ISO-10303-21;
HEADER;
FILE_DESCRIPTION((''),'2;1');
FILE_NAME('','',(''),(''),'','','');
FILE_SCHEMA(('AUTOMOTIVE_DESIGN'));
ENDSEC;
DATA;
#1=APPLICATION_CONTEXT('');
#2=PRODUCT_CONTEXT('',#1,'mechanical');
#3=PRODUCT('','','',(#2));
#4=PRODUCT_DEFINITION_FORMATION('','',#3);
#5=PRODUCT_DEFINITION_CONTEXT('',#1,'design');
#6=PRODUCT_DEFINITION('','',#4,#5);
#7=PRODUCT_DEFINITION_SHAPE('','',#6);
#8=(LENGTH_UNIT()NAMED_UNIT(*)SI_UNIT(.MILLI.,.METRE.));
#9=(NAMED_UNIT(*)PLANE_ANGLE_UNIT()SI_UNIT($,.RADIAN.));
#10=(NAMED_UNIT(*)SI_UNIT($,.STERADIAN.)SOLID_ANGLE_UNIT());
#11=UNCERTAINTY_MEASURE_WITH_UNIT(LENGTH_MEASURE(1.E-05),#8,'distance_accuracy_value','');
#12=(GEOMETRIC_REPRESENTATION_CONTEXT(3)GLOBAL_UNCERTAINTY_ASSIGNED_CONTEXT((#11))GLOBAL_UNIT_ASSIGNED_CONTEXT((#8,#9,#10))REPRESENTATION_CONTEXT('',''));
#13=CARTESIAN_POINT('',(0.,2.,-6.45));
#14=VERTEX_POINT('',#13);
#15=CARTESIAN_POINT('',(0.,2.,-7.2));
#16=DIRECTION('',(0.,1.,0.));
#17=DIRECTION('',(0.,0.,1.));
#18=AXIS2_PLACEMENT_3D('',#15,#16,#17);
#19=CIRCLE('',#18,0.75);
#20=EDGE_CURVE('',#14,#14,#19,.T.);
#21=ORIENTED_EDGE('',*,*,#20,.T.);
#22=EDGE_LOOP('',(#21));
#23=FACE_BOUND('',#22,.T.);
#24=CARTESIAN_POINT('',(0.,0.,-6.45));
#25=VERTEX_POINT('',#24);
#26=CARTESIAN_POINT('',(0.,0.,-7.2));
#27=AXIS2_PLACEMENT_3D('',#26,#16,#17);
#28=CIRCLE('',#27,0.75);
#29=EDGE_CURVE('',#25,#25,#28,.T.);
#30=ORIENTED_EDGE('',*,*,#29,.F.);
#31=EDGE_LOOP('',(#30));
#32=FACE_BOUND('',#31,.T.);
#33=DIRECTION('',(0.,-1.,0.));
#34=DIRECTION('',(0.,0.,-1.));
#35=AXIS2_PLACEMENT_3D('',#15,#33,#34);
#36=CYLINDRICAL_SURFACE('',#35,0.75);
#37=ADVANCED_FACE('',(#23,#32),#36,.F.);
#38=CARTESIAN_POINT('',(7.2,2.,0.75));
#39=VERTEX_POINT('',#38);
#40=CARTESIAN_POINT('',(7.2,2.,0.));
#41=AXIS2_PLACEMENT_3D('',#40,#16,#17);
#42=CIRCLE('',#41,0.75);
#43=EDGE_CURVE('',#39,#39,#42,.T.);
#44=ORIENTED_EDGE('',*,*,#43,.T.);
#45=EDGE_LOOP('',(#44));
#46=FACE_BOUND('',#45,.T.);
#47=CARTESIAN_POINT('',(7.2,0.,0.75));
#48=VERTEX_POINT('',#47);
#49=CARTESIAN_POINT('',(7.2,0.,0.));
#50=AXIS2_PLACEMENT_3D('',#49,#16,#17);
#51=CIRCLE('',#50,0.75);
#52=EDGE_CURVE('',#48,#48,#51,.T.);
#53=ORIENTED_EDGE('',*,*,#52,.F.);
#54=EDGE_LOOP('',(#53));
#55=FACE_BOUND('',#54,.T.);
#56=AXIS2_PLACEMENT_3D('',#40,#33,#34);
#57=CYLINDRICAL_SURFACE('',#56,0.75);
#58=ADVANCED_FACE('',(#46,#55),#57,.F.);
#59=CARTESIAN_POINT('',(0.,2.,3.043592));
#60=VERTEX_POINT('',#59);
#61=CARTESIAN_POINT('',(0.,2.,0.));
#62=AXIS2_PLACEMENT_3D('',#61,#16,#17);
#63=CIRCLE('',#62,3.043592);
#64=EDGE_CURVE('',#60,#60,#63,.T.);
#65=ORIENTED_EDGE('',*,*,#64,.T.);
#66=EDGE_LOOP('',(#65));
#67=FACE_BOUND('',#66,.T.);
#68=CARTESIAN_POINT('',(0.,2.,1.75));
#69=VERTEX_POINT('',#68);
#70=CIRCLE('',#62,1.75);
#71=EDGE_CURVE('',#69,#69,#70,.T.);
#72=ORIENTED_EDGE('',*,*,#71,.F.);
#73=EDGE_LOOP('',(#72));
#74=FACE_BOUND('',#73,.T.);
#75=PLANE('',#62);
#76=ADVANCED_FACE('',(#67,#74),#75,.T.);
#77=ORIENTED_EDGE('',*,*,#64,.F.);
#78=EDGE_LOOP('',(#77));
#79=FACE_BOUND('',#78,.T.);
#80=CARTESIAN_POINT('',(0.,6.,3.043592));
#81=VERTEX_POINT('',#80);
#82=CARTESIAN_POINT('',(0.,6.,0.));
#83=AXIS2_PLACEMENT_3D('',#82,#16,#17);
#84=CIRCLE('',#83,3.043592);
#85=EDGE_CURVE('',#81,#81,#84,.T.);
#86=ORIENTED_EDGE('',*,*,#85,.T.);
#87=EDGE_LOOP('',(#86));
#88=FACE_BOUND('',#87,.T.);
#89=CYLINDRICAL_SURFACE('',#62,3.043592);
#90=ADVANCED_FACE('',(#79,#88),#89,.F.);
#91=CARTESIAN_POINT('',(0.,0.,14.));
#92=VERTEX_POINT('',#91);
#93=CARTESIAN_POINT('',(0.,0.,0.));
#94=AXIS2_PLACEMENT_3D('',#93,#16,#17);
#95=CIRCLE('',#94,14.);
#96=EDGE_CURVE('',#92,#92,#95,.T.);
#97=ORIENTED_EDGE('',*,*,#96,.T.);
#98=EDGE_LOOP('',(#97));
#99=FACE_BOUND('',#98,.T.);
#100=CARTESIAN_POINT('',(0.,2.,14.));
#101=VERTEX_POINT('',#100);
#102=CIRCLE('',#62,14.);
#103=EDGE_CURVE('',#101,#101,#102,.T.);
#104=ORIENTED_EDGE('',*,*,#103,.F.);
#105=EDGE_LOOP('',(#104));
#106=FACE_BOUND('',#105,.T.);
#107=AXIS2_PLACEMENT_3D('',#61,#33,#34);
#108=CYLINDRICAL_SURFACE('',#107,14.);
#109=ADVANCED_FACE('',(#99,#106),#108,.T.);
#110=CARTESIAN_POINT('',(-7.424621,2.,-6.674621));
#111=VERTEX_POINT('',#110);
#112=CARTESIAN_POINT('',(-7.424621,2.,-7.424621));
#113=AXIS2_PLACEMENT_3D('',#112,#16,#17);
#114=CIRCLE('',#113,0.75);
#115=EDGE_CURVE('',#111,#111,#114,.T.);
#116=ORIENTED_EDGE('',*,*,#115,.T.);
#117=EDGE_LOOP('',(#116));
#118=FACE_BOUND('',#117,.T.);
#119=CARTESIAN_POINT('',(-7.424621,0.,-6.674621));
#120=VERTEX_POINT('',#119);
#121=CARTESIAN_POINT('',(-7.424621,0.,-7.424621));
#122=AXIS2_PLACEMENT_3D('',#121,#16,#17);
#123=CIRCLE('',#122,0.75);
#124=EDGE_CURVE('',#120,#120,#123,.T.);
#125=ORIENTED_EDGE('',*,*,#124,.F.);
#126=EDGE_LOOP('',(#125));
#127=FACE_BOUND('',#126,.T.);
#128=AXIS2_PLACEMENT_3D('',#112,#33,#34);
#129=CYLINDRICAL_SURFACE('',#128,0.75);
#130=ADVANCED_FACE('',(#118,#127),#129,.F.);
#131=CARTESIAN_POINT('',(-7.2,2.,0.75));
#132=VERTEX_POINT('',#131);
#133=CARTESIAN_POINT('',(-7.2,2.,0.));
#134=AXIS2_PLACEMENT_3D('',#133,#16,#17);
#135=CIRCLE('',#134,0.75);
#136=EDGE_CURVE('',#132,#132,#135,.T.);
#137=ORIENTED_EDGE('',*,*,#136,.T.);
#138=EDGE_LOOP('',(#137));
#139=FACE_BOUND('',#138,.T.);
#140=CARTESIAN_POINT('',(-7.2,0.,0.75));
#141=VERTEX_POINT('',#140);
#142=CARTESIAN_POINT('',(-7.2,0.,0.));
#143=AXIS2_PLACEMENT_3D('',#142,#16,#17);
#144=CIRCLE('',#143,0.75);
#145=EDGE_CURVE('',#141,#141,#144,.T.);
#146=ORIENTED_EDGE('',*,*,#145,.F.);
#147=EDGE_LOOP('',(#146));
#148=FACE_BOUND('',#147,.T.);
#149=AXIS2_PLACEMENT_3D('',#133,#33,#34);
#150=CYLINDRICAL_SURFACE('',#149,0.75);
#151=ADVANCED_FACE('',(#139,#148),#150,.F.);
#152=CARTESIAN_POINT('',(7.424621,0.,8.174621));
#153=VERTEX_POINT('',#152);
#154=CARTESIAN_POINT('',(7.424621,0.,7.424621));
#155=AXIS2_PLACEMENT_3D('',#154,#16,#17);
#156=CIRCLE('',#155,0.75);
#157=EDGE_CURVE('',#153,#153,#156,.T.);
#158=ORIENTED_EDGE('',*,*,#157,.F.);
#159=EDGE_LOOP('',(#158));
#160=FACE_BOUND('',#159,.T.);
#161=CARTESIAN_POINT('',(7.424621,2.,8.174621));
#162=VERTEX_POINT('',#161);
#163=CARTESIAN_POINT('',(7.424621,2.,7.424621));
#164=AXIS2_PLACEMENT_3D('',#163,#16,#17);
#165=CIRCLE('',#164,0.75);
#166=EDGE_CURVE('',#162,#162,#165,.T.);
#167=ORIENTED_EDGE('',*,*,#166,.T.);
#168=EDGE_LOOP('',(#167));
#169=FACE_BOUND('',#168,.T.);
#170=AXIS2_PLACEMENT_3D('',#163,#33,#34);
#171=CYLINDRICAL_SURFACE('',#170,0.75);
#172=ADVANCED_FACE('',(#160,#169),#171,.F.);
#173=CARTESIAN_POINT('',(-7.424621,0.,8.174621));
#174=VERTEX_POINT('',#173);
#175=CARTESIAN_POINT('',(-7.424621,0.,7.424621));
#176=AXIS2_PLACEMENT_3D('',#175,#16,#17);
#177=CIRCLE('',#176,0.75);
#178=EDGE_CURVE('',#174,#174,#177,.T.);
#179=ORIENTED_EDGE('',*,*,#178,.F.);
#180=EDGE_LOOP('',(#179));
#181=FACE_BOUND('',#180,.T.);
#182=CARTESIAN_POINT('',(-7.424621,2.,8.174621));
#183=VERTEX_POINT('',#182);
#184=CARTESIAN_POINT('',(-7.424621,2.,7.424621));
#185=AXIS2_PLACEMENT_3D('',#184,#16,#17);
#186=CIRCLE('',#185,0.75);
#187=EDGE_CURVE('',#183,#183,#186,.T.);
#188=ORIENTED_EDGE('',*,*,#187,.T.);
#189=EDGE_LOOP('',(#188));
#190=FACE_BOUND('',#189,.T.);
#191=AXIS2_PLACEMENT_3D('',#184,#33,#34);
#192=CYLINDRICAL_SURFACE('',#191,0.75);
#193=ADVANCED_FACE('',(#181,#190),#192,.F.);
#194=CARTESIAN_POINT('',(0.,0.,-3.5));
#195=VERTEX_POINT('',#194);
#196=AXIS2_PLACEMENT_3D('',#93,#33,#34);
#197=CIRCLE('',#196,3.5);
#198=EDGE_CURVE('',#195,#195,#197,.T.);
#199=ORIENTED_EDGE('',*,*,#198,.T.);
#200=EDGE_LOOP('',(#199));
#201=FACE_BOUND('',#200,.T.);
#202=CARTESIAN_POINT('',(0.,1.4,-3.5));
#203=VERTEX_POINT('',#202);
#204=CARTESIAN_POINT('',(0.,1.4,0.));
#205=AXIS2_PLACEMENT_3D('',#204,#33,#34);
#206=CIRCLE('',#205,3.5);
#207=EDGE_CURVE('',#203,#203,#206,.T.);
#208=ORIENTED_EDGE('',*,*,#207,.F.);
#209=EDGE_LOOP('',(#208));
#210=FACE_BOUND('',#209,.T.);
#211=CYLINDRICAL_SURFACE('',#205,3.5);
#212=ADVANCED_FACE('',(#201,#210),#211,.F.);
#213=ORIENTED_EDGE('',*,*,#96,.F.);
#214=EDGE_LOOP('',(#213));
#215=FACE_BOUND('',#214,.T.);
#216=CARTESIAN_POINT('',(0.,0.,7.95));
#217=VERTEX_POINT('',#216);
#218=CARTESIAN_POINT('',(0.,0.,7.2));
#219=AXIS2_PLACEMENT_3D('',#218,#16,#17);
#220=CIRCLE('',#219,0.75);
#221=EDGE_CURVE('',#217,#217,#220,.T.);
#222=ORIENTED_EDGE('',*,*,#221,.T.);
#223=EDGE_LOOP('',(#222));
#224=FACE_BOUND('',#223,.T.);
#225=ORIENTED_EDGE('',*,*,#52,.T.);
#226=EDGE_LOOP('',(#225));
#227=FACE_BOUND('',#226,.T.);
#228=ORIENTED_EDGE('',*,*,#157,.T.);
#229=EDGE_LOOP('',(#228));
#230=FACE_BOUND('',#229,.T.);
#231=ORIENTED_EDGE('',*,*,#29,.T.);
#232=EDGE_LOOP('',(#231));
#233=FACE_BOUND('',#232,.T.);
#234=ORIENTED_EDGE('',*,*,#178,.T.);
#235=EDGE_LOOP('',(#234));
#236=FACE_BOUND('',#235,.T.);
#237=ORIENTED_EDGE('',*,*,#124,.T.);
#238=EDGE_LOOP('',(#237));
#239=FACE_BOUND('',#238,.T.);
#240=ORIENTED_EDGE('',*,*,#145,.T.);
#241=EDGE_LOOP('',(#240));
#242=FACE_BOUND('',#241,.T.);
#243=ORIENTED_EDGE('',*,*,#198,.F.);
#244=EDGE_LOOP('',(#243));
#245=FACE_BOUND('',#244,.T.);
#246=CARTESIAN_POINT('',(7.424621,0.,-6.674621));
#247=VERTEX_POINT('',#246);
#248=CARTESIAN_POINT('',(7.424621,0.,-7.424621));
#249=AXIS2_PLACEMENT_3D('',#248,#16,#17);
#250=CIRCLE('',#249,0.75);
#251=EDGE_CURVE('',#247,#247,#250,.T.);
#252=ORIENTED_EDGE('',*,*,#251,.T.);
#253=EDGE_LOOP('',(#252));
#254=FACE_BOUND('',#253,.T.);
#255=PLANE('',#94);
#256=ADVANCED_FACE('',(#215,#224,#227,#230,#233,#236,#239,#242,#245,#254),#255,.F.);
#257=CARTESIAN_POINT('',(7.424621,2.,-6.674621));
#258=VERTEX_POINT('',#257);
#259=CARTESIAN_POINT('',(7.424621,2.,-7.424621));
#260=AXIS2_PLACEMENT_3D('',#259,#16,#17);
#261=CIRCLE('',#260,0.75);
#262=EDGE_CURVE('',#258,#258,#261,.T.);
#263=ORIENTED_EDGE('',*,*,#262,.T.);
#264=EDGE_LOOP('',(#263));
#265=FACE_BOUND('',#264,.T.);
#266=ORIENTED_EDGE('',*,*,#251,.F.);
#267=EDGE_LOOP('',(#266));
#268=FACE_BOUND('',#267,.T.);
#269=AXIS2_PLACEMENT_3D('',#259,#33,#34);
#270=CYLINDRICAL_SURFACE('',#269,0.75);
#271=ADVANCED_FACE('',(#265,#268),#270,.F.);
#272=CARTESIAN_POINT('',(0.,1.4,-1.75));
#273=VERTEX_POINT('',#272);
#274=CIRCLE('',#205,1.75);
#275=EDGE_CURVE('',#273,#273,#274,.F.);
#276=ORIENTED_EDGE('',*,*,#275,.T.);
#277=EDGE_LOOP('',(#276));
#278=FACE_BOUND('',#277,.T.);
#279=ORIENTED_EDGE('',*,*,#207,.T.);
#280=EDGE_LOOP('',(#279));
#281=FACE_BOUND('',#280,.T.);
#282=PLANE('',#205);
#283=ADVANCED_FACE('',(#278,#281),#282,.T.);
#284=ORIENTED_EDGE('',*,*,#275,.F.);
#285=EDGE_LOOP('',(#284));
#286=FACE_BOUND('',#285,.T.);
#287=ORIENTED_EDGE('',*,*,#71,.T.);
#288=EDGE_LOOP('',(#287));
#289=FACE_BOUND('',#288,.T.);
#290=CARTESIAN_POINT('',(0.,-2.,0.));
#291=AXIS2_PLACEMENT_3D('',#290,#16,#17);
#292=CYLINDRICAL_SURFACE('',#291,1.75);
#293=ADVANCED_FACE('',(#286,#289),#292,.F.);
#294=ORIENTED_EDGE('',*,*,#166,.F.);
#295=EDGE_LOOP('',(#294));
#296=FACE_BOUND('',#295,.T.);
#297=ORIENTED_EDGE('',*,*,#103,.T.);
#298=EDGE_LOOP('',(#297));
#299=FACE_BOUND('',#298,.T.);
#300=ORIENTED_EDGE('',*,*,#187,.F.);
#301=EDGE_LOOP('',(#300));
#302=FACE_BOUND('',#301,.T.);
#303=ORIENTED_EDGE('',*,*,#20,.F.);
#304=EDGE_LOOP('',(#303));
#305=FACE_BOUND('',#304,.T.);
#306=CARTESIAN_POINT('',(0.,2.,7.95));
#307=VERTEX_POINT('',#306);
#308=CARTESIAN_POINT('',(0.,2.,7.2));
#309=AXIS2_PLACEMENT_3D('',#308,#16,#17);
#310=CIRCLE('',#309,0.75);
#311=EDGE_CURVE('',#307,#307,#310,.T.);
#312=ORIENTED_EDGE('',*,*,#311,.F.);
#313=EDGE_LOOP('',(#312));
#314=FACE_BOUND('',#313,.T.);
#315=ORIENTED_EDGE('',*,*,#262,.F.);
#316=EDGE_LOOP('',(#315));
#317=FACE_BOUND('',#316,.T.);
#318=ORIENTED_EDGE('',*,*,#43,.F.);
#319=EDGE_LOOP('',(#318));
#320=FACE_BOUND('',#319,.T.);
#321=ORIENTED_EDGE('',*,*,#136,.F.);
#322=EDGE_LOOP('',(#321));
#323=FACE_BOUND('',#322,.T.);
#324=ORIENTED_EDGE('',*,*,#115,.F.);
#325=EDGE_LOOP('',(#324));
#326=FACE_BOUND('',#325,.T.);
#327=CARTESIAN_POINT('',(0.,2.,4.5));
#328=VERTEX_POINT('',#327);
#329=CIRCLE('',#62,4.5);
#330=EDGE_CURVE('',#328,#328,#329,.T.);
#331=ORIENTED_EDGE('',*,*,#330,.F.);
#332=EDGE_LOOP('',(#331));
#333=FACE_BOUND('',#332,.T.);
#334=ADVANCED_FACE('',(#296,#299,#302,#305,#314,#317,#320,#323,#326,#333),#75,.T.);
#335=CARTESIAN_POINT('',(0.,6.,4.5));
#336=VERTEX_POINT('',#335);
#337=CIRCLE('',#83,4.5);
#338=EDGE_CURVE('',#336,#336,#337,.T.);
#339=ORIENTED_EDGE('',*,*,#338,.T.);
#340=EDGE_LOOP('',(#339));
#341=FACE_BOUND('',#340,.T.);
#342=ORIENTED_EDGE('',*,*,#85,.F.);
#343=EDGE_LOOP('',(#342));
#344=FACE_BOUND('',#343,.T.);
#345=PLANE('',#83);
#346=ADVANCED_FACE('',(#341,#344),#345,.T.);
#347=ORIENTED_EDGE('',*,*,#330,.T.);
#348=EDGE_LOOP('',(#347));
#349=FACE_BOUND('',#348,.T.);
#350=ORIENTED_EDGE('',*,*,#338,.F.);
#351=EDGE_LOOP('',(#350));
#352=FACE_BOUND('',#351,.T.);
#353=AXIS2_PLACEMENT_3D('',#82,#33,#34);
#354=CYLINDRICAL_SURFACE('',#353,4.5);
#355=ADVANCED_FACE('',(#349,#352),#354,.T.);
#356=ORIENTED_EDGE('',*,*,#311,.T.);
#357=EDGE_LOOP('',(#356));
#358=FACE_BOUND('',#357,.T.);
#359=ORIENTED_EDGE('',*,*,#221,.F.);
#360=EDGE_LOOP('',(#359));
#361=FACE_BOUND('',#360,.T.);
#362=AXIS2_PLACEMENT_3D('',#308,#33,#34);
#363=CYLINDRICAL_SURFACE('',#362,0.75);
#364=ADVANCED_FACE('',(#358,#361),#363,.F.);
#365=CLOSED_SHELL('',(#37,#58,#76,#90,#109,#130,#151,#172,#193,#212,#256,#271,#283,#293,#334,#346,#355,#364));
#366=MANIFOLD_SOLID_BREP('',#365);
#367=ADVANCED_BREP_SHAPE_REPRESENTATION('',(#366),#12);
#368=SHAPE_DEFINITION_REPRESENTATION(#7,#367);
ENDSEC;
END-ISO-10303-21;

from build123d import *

# Parameters (mm, degrees)
ESQUISSE1_R             = 14
ESQUISSE1_R_2           = 0.75
BOSS_EXTRU_1_DEPTH      = 2
ESQUISSE2_R             = 4.5
BOSS_EXTRU_2_DEPTH      = 4
ESQUISSE3_R             = 3.043591675
ENL_V_MAT_EXTRU_1_DEPTH = 4
ESQUISSE4_R             = 1.75
ENL_V_MAT_EXTRU_2_DEPTH = 4
ESQUISSE5_R             = 3.5
ENL_V_MAT_EXTRU_3_DEPTH = 1.4


with BuildPart() as part:
    # Esquisse1 → Boss.-Extru.1 (new body)
    with BuildSketch(Plane(origin=(0, 0, 0), x_dir=(1, 0, 0), z_dir=(0, 1, 0))):
        with Locations(Location((0, 0, 0), (0, 0, 270))):
            Circle(ESQUISSE1_R)
        with Locations(Location((0, 7.2, 0), (0, 0, 270))):
            Circle(ESQUISSE1_R_2, mode=Mode.SUBTRACT)
        with Locations(Location((7.424621202, 7.424621202, 0), (0, 0, 270))):
            Circle(ESQUISSE1_R_2, mode=Mode.SUBTRACT)
        with Locations(Location((7.424621202, -7.424621202, 0), (0, 0, 270))):
            Circle(ESQUISSE1_R_2, mode=Mode.SUBTRACT)
        with Locations(Location((7.2, 0, 0), (0, 0, 270))):
            Circle(ESQUISSE1_R_2, mode=Mode.SUBTRACT)
        with Locations(Location((-7.424621202, -7.424621202, 0), (0, 0, 270))):
            Circle(ESQUISSE1_R_2, mode=Mode.SUBTRACT)
        with Locations(Location((0, -7.2, 0), (0, 0, 270))):
            Circle(ESQUISSE1_R_2, mode=Mode.SUBTRACT)
        with Locations(Location((-7.424621202, 7.424621202, 0), (0, 0, 270))):
            Circle(ESQUISSE1_R_2, mode=Mode.SUBTRACT)
        with Locations(Location((-7.2, 0, 0), (0, 0, 270))):
            Circle(ESQUISSE1_R_2, mode=Mode.SUBTRACT)
    extrude(amount=BOSS_EXTRU_1_DEPTH)

    # Esquisse2 → Boss.-Extru.2 (add)
    with BuildSketch(Plane(origin=(0, 2, 0), x_dir=(1, 0, 0), z_dir=(0, 1, 0))):
        with Locations(Location((0, 0, 0), (0, 0, 270))):
            Circle(ESQUISSE2_R)
    extrude(amount=BOSS_EXTRU_2_DEPTH)

    # Esquisse3 → Enlèv. mat.-Extru.1 (cut)
    with BuildSketch(Plane(origin=(0, 6, 0), x_dir=(1, 0, 0), z_dir=(0, 1, 0))):
        with Locations(Location((0, 0, 0), (0, 0, 270))):
            Circle(ESQUISSE3_R)
    extrude(amount=-ENL_V_MAT_EXTRU_1_DEPTH, mode=Mode.SUBTRACT)

    # Esquisse4 → Enlèv. mat.-Extru.2 (cut)
    with BuildSketch(Plane(origin=(0, 2, 0), x_dir=(1, 0, 0), z_dir=(0, 1, 0))):
        with Locations(Location((0, 0, 0), (0, 0, 270))):
            Circle(ESQUISSE4_R)
    extrude(amount=-ENL_V_MAT_EXTRU_2_DEPTH, mode=Mode.SUBTRACT)

    # Esquisse5 → Enlèv. mat.-Extru.3 (cut)
    with BuildSketch(Plane(origin=(0, 0, 0), x_dir=(-1, 0, 0), z_dir=(0, -1, 0))):
        with Locations(Location((0, 0, 0), (0, 0, 90))):
            Circle(ESQUISSE5_R)
    extrude(amount=-ENL_V_MAT_EXTRU_3_DEPTH, mode=Mode.SUBTRACT)


solid = part.part
